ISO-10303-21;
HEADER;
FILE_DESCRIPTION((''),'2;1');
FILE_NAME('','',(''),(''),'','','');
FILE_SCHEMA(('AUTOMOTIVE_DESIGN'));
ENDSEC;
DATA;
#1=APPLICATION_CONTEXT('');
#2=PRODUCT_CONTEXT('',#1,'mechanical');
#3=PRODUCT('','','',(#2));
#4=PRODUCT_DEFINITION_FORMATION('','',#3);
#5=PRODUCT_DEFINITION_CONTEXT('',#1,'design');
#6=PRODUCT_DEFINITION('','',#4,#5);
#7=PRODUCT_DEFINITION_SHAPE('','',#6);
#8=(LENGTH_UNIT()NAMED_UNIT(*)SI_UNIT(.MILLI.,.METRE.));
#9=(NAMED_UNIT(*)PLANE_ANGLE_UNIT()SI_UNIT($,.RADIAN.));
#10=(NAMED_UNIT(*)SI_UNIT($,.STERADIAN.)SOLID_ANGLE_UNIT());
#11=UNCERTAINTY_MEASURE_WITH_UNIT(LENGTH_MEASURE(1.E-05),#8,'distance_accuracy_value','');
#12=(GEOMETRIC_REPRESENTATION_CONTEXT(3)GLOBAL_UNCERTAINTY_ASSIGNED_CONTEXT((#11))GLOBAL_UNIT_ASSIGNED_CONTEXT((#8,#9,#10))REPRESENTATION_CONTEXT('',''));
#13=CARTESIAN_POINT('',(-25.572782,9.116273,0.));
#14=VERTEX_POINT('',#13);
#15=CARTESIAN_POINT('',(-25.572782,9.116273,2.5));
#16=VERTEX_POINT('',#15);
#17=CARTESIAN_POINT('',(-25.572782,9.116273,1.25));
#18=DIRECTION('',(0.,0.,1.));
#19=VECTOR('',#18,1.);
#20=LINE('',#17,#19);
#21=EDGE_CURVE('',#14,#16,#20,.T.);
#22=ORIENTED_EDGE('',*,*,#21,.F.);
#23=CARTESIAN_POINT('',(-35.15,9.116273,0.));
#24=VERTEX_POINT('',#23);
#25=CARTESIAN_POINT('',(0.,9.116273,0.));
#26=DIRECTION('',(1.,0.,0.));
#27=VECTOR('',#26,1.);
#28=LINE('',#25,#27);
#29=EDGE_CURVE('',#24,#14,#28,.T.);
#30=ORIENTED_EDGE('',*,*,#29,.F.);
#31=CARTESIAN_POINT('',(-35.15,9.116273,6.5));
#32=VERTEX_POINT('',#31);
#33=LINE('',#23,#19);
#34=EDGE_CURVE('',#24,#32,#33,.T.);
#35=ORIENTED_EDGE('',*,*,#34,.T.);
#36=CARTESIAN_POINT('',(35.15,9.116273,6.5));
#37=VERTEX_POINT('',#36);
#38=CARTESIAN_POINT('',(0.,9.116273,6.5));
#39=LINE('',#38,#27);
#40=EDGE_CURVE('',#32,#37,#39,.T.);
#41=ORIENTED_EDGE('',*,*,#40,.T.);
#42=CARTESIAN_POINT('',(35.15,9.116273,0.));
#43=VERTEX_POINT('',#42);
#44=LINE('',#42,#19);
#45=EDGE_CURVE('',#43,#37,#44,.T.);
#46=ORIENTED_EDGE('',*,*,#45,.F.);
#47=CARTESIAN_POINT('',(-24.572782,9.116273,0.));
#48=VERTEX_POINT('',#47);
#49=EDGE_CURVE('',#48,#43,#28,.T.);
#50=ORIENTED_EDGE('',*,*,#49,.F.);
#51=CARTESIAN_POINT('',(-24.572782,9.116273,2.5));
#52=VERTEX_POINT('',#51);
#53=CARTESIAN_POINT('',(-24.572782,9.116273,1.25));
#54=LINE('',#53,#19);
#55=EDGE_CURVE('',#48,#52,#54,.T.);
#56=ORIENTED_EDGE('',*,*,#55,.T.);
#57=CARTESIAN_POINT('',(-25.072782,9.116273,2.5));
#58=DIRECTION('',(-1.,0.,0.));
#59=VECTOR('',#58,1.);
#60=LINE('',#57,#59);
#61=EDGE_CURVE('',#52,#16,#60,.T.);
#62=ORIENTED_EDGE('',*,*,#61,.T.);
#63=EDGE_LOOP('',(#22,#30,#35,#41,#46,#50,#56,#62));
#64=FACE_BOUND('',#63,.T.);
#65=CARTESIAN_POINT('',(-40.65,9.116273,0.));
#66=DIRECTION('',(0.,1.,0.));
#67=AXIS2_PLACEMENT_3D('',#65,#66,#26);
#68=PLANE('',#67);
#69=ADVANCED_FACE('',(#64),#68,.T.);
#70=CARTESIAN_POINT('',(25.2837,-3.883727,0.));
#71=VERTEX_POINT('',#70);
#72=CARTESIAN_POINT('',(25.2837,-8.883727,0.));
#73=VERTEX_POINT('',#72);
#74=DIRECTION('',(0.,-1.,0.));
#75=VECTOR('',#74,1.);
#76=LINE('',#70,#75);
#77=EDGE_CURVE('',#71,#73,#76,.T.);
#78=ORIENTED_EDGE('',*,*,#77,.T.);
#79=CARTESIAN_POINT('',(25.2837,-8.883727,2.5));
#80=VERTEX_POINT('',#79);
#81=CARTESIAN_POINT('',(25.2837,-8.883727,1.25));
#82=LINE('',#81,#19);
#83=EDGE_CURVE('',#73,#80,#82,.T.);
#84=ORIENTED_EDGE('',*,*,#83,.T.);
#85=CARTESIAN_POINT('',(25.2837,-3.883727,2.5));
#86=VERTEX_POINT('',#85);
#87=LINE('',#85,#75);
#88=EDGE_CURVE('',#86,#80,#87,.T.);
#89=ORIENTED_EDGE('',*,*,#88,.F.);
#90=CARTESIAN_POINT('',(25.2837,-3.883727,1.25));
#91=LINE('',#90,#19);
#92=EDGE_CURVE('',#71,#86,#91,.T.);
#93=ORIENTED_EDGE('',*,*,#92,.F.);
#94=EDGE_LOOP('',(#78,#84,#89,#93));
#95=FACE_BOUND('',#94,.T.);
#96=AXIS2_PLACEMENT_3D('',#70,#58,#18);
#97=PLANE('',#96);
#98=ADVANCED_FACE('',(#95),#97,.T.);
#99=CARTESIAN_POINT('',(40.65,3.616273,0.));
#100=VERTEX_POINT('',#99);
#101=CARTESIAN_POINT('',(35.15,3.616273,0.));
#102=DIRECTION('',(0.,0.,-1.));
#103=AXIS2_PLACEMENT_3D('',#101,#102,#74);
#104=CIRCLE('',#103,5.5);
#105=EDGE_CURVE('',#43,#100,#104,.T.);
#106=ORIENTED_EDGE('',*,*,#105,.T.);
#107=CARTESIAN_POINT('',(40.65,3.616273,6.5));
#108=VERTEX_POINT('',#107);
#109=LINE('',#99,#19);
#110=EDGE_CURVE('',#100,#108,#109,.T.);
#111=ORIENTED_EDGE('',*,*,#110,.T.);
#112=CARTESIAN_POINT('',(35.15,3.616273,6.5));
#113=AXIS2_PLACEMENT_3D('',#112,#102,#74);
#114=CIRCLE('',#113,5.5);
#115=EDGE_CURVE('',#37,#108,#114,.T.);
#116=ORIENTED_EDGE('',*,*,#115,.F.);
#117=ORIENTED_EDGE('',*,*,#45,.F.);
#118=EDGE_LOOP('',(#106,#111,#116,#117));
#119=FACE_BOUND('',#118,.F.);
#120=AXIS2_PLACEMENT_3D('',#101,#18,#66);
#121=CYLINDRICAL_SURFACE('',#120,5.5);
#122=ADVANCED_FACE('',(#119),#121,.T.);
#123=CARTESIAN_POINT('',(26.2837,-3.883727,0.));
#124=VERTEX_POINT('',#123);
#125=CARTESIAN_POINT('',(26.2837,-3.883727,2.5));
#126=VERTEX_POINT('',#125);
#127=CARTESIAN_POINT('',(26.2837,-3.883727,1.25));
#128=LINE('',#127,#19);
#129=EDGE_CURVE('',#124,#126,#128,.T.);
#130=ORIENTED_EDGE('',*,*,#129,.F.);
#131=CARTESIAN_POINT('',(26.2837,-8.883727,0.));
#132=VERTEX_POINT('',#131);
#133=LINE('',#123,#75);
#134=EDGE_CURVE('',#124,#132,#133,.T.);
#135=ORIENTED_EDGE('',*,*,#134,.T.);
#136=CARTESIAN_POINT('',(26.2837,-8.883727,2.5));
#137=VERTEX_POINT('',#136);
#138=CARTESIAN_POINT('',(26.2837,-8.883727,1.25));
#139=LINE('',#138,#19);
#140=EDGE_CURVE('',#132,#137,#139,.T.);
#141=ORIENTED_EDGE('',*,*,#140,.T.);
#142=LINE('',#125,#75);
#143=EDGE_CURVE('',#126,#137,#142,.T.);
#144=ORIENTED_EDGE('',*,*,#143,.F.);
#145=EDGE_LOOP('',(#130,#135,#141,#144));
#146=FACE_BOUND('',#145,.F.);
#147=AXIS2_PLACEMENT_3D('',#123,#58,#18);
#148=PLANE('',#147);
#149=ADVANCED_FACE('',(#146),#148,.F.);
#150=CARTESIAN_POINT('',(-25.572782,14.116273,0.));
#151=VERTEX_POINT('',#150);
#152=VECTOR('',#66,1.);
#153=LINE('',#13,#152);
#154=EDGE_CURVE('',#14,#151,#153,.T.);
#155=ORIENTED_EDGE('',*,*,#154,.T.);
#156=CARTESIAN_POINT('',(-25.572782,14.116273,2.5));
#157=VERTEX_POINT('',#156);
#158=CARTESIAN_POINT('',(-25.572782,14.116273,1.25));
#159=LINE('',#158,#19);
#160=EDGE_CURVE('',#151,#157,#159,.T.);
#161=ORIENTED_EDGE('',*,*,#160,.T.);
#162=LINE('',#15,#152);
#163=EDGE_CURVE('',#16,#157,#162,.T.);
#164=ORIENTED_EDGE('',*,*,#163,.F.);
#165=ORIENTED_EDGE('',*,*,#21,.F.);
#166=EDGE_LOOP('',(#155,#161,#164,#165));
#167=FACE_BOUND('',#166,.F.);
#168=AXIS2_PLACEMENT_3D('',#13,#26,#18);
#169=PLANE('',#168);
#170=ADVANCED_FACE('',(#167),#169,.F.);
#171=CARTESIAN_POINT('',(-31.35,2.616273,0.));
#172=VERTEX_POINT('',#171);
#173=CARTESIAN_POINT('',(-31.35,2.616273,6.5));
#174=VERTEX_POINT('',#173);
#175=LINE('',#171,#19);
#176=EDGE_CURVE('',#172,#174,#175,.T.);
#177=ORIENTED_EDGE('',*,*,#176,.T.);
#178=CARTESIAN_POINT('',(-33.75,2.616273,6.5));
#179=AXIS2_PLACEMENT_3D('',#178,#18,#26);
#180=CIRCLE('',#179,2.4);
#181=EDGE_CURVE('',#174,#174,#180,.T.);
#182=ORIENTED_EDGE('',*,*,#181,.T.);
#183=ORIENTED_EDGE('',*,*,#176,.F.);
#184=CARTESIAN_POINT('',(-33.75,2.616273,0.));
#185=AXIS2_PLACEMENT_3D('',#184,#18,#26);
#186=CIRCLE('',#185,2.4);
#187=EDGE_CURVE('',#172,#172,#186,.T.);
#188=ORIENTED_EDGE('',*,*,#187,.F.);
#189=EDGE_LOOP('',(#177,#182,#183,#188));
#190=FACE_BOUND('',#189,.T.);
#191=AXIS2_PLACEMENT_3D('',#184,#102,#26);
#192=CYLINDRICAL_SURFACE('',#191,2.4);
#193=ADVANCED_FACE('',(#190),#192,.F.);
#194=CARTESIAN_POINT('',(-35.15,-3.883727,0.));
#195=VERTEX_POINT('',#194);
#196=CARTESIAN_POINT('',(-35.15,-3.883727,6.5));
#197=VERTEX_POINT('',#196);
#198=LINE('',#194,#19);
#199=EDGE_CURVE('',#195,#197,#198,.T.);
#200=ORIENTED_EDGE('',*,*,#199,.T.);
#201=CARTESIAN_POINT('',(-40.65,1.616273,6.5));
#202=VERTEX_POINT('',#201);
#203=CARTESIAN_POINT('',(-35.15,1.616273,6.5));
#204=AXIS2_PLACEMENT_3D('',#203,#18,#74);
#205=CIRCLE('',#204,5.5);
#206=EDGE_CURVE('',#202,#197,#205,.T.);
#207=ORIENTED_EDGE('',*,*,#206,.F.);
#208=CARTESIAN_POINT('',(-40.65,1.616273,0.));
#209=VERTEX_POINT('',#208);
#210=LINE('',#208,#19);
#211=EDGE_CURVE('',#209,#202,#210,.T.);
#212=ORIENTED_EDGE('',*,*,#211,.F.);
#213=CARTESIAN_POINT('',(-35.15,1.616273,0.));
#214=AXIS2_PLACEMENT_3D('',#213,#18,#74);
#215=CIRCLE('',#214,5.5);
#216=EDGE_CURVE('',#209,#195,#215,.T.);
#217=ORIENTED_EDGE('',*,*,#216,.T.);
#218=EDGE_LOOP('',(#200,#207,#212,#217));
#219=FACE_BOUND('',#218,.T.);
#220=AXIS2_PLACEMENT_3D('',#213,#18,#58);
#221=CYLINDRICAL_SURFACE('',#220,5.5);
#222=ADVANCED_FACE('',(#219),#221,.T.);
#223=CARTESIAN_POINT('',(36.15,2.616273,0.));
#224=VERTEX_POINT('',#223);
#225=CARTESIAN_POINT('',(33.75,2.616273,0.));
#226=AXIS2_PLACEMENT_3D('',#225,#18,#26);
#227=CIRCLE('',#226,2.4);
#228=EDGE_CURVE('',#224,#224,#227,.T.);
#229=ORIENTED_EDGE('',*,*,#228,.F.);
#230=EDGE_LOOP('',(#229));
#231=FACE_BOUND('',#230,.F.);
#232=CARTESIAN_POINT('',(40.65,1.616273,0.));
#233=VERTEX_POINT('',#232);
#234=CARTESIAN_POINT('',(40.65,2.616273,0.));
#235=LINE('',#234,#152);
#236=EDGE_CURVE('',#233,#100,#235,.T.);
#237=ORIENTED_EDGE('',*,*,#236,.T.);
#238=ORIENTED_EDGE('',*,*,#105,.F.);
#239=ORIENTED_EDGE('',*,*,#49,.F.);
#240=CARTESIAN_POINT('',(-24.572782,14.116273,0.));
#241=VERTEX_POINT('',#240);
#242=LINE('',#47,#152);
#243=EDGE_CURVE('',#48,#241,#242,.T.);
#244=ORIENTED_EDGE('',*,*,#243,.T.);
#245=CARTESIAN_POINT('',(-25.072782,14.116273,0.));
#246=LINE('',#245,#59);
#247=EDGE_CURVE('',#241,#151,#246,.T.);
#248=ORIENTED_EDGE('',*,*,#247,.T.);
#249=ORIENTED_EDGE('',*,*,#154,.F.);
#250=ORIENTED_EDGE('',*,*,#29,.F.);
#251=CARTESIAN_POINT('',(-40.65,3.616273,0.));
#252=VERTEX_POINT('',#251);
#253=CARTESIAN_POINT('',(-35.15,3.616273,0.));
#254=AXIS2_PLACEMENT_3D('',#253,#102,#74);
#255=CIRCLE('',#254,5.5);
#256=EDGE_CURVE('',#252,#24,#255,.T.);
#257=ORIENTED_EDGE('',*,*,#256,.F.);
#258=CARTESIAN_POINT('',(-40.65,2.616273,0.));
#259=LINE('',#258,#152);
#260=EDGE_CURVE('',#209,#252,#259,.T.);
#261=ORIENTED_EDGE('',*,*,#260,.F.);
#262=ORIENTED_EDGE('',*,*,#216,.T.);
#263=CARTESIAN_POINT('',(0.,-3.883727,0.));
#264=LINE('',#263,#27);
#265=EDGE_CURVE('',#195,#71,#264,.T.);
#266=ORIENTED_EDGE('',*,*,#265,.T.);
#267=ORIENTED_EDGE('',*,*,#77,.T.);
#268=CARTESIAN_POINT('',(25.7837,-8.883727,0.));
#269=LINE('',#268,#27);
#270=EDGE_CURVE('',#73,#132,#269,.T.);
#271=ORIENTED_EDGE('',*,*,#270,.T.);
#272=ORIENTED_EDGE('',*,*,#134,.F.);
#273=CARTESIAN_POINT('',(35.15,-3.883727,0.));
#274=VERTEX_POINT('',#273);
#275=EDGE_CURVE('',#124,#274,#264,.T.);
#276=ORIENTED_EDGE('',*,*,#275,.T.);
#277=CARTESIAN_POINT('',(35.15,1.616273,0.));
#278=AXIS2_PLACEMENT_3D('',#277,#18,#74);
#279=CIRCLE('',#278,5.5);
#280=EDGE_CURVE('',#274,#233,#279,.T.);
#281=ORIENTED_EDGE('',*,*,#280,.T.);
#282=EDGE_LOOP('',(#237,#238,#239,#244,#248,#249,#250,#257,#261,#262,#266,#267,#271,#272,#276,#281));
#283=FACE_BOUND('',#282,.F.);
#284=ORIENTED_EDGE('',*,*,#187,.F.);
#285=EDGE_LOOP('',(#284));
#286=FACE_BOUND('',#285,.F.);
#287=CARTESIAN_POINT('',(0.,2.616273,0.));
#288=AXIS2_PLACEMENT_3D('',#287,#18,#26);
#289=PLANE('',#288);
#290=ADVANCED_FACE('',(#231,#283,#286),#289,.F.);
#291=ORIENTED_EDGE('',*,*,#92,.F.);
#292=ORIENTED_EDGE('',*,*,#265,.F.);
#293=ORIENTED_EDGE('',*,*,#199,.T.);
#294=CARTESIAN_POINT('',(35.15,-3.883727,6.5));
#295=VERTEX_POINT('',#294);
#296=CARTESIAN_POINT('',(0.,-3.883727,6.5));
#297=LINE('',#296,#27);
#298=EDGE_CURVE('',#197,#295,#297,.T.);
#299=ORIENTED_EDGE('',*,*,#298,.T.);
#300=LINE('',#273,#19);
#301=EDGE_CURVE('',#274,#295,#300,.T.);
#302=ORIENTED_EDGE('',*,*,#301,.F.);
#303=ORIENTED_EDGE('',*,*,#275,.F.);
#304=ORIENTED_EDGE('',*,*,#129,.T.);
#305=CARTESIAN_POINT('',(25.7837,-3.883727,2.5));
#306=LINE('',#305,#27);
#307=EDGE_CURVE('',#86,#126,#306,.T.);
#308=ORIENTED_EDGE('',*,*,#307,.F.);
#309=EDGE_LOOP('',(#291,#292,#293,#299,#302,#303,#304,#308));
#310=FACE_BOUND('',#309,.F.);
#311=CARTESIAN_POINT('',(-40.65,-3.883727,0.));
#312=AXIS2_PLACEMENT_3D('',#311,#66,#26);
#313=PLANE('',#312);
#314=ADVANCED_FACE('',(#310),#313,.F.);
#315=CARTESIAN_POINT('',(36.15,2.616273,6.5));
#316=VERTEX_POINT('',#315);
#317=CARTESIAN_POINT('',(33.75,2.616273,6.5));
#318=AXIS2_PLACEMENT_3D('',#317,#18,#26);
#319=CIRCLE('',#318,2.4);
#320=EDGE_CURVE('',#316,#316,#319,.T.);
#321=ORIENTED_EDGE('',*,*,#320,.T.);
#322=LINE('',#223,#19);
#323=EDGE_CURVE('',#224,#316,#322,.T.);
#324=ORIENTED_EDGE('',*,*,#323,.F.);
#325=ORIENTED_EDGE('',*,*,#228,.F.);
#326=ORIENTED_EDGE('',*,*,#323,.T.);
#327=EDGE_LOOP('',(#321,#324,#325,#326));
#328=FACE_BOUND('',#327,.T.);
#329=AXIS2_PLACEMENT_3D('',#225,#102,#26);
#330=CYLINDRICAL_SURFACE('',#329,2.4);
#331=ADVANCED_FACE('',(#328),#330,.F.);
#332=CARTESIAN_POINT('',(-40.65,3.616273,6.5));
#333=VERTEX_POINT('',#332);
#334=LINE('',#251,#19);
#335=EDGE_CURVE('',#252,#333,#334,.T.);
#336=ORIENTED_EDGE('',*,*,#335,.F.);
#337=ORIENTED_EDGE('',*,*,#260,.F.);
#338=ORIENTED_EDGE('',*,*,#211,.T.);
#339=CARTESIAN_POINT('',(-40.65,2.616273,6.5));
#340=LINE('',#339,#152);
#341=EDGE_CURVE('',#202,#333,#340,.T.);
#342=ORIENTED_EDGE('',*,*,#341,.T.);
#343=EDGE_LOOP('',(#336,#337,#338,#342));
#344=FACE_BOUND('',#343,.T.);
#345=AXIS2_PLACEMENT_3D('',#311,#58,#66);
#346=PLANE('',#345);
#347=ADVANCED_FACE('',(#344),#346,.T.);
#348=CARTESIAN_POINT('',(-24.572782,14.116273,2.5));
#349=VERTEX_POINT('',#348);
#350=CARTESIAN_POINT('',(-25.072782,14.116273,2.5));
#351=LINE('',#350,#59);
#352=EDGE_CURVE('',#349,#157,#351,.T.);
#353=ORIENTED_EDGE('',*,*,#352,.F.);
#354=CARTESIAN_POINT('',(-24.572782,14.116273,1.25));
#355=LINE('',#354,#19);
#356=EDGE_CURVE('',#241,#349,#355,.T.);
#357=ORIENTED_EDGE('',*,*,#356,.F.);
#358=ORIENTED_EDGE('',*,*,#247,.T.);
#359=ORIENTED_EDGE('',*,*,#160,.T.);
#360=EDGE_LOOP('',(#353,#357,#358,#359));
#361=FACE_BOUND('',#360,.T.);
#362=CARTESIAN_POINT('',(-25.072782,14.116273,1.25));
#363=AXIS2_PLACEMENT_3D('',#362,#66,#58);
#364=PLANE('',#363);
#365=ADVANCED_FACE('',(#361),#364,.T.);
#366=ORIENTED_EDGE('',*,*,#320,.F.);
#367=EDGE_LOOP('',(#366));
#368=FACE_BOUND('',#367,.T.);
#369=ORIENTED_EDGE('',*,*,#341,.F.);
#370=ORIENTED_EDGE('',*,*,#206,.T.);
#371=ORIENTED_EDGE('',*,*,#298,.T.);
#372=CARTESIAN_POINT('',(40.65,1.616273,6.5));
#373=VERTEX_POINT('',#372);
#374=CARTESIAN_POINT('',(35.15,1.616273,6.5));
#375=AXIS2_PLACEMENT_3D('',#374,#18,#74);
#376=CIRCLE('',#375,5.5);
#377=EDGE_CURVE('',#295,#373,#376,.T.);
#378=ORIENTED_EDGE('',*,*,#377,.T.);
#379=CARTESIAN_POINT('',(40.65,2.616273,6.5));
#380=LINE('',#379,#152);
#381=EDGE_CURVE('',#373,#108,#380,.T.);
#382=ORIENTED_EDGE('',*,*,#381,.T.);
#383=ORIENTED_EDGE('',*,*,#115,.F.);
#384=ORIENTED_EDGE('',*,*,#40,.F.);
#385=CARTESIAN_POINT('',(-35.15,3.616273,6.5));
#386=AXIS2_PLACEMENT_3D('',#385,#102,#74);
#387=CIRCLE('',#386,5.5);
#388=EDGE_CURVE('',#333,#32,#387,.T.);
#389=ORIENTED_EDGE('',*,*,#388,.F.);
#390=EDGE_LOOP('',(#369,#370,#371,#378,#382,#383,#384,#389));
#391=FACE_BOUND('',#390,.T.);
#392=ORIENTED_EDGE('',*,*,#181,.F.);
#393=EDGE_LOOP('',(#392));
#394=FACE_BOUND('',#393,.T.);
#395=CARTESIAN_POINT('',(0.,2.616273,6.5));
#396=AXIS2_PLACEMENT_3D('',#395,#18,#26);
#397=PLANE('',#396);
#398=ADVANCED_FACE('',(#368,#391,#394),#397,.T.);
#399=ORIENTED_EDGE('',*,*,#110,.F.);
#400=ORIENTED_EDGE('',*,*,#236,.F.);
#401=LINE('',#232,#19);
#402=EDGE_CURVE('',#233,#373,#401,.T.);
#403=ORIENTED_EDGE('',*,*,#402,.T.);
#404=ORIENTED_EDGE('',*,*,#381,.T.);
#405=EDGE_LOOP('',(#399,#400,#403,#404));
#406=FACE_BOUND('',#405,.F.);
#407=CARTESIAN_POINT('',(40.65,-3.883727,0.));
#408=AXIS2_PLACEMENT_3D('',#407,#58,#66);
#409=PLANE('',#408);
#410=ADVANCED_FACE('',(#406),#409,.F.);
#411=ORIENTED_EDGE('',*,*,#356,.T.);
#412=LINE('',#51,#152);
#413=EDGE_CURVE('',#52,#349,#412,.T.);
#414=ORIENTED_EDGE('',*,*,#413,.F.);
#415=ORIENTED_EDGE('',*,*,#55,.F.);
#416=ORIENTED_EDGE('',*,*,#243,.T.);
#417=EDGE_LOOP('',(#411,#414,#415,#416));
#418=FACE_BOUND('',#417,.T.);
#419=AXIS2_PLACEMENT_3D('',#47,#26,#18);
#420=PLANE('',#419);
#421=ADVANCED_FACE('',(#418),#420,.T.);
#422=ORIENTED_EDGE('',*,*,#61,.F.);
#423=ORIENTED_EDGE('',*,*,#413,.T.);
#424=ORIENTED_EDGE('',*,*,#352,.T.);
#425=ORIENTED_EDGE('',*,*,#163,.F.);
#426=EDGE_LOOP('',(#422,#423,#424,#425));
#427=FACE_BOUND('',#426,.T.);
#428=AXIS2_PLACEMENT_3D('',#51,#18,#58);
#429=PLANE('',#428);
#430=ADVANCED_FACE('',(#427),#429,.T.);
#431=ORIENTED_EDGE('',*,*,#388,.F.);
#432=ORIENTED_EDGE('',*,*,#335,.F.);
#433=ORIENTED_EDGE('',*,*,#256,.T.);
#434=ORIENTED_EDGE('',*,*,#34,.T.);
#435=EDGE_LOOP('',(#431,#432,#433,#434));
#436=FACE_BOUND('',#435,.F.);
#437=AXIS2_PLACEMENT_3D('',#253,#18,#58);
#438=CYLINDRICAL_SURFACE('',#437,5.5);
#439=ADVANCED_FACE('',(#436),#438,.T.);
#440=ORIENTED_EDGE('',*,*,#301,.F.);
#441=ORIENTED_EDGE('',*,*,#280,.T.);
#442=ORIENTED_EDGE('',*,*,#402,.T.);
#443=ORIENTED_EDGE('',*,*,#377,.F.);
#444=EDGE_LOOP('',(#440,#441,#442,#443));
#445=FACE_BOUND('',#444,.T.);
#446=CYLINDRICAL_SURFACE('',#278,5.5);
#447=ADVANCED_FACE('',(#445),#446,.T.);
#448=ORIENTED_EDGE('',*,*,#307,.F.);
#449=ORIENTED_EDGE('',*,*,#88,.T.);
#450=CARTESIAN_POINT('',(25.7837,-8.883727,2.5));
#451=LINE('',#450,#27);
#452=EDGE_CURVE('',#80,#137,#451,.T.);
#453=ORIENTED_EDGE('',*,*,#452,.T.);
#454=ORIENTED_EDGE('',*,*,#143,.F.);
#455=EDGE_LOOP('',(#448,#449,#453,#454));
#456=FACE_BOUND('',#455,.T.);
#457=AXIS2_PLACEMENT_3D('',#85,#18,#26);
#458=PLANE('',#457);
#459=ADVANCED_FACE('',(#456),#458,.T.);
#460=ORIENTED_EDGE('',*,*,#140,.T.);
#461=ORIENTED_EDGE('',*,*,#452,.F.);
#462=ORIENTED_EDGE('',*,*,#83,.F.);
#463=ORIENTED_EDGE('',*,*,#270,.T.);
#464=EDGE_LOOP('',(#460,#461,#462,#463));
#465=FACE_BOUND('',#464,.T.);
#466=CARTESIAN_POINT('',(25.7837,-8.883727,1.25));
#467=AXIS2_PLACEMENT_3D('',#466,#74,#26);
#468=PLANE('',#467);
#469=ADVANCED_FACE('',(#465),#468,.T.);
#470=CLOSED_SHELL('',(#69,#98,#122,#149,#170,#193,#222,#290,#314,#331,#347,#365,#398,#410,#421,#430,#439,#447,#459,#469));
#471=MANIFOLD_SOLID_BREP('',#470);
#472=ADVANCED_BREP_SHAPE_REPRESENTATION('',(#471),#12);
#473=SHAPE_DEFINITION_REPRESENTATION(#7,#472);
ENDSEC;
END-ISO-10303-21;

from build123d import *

# Parameters (mm, degrees)
F0_W     = 81.3
F0_H     = 13
F0_R     = 2.4
F1_DEPTH = 6.5
F2_R     = 5.5
F3_W     = 1
F3_H     = 2.5
F4_DEPTH = 5
F5_W     = 1
F5_H     = 2.5
F6_DEPTH = 5


with BuildPart() as f1:
    # F0 (on Top) → F1 (new body)
    with BuildSketch(Plane.XY):
        with Locations((0, 2.616273)):
            Rectangle(F0_W, F0_H)
        with Locations((-33.75, 2.616273)):
            Circle(F0_R, mode=Mode.SUBTRACT)
        with Locations((33.75, 2.616273)):
            Circle(F0_R, mode=Mode.SUBTRACT)
    extrude(amount=F1_DEPTH)

    # F2
    f2_edges = [f1.edges().sort_by_distance(p)[0] for p in [
        (-40.65, 9.116273, 3.25),
        (-40.65, -3.883727, 3.25),
        (40.65, -3.883727, 3.25),
        (40.65, 9.116273, 3.25),
    ]]
    fillet(f2_edges, radius=F2_R)

    # F3 (on face) → F4 (join)
    with BuildSketch(Plane.XZ.offset(3.883727)):
        with Locations((25.7837, 1.25)):
            Rectangle(F3_W, F3_H)
    extrude(amount=F4_DEPTH)

    # F5 (on face) → F6 (join)
    with BuildSketch(Plane(origin=(0, 9.116273, 0), x_dir=(-1, 0, 0), z_dir=(0, 1, 0))):
        with Locations((25.072782, 1.25)):
            Rectangle(F5_W, F5_H)
    extrude(amount=F6_DEPTH)


solid = f1.part
